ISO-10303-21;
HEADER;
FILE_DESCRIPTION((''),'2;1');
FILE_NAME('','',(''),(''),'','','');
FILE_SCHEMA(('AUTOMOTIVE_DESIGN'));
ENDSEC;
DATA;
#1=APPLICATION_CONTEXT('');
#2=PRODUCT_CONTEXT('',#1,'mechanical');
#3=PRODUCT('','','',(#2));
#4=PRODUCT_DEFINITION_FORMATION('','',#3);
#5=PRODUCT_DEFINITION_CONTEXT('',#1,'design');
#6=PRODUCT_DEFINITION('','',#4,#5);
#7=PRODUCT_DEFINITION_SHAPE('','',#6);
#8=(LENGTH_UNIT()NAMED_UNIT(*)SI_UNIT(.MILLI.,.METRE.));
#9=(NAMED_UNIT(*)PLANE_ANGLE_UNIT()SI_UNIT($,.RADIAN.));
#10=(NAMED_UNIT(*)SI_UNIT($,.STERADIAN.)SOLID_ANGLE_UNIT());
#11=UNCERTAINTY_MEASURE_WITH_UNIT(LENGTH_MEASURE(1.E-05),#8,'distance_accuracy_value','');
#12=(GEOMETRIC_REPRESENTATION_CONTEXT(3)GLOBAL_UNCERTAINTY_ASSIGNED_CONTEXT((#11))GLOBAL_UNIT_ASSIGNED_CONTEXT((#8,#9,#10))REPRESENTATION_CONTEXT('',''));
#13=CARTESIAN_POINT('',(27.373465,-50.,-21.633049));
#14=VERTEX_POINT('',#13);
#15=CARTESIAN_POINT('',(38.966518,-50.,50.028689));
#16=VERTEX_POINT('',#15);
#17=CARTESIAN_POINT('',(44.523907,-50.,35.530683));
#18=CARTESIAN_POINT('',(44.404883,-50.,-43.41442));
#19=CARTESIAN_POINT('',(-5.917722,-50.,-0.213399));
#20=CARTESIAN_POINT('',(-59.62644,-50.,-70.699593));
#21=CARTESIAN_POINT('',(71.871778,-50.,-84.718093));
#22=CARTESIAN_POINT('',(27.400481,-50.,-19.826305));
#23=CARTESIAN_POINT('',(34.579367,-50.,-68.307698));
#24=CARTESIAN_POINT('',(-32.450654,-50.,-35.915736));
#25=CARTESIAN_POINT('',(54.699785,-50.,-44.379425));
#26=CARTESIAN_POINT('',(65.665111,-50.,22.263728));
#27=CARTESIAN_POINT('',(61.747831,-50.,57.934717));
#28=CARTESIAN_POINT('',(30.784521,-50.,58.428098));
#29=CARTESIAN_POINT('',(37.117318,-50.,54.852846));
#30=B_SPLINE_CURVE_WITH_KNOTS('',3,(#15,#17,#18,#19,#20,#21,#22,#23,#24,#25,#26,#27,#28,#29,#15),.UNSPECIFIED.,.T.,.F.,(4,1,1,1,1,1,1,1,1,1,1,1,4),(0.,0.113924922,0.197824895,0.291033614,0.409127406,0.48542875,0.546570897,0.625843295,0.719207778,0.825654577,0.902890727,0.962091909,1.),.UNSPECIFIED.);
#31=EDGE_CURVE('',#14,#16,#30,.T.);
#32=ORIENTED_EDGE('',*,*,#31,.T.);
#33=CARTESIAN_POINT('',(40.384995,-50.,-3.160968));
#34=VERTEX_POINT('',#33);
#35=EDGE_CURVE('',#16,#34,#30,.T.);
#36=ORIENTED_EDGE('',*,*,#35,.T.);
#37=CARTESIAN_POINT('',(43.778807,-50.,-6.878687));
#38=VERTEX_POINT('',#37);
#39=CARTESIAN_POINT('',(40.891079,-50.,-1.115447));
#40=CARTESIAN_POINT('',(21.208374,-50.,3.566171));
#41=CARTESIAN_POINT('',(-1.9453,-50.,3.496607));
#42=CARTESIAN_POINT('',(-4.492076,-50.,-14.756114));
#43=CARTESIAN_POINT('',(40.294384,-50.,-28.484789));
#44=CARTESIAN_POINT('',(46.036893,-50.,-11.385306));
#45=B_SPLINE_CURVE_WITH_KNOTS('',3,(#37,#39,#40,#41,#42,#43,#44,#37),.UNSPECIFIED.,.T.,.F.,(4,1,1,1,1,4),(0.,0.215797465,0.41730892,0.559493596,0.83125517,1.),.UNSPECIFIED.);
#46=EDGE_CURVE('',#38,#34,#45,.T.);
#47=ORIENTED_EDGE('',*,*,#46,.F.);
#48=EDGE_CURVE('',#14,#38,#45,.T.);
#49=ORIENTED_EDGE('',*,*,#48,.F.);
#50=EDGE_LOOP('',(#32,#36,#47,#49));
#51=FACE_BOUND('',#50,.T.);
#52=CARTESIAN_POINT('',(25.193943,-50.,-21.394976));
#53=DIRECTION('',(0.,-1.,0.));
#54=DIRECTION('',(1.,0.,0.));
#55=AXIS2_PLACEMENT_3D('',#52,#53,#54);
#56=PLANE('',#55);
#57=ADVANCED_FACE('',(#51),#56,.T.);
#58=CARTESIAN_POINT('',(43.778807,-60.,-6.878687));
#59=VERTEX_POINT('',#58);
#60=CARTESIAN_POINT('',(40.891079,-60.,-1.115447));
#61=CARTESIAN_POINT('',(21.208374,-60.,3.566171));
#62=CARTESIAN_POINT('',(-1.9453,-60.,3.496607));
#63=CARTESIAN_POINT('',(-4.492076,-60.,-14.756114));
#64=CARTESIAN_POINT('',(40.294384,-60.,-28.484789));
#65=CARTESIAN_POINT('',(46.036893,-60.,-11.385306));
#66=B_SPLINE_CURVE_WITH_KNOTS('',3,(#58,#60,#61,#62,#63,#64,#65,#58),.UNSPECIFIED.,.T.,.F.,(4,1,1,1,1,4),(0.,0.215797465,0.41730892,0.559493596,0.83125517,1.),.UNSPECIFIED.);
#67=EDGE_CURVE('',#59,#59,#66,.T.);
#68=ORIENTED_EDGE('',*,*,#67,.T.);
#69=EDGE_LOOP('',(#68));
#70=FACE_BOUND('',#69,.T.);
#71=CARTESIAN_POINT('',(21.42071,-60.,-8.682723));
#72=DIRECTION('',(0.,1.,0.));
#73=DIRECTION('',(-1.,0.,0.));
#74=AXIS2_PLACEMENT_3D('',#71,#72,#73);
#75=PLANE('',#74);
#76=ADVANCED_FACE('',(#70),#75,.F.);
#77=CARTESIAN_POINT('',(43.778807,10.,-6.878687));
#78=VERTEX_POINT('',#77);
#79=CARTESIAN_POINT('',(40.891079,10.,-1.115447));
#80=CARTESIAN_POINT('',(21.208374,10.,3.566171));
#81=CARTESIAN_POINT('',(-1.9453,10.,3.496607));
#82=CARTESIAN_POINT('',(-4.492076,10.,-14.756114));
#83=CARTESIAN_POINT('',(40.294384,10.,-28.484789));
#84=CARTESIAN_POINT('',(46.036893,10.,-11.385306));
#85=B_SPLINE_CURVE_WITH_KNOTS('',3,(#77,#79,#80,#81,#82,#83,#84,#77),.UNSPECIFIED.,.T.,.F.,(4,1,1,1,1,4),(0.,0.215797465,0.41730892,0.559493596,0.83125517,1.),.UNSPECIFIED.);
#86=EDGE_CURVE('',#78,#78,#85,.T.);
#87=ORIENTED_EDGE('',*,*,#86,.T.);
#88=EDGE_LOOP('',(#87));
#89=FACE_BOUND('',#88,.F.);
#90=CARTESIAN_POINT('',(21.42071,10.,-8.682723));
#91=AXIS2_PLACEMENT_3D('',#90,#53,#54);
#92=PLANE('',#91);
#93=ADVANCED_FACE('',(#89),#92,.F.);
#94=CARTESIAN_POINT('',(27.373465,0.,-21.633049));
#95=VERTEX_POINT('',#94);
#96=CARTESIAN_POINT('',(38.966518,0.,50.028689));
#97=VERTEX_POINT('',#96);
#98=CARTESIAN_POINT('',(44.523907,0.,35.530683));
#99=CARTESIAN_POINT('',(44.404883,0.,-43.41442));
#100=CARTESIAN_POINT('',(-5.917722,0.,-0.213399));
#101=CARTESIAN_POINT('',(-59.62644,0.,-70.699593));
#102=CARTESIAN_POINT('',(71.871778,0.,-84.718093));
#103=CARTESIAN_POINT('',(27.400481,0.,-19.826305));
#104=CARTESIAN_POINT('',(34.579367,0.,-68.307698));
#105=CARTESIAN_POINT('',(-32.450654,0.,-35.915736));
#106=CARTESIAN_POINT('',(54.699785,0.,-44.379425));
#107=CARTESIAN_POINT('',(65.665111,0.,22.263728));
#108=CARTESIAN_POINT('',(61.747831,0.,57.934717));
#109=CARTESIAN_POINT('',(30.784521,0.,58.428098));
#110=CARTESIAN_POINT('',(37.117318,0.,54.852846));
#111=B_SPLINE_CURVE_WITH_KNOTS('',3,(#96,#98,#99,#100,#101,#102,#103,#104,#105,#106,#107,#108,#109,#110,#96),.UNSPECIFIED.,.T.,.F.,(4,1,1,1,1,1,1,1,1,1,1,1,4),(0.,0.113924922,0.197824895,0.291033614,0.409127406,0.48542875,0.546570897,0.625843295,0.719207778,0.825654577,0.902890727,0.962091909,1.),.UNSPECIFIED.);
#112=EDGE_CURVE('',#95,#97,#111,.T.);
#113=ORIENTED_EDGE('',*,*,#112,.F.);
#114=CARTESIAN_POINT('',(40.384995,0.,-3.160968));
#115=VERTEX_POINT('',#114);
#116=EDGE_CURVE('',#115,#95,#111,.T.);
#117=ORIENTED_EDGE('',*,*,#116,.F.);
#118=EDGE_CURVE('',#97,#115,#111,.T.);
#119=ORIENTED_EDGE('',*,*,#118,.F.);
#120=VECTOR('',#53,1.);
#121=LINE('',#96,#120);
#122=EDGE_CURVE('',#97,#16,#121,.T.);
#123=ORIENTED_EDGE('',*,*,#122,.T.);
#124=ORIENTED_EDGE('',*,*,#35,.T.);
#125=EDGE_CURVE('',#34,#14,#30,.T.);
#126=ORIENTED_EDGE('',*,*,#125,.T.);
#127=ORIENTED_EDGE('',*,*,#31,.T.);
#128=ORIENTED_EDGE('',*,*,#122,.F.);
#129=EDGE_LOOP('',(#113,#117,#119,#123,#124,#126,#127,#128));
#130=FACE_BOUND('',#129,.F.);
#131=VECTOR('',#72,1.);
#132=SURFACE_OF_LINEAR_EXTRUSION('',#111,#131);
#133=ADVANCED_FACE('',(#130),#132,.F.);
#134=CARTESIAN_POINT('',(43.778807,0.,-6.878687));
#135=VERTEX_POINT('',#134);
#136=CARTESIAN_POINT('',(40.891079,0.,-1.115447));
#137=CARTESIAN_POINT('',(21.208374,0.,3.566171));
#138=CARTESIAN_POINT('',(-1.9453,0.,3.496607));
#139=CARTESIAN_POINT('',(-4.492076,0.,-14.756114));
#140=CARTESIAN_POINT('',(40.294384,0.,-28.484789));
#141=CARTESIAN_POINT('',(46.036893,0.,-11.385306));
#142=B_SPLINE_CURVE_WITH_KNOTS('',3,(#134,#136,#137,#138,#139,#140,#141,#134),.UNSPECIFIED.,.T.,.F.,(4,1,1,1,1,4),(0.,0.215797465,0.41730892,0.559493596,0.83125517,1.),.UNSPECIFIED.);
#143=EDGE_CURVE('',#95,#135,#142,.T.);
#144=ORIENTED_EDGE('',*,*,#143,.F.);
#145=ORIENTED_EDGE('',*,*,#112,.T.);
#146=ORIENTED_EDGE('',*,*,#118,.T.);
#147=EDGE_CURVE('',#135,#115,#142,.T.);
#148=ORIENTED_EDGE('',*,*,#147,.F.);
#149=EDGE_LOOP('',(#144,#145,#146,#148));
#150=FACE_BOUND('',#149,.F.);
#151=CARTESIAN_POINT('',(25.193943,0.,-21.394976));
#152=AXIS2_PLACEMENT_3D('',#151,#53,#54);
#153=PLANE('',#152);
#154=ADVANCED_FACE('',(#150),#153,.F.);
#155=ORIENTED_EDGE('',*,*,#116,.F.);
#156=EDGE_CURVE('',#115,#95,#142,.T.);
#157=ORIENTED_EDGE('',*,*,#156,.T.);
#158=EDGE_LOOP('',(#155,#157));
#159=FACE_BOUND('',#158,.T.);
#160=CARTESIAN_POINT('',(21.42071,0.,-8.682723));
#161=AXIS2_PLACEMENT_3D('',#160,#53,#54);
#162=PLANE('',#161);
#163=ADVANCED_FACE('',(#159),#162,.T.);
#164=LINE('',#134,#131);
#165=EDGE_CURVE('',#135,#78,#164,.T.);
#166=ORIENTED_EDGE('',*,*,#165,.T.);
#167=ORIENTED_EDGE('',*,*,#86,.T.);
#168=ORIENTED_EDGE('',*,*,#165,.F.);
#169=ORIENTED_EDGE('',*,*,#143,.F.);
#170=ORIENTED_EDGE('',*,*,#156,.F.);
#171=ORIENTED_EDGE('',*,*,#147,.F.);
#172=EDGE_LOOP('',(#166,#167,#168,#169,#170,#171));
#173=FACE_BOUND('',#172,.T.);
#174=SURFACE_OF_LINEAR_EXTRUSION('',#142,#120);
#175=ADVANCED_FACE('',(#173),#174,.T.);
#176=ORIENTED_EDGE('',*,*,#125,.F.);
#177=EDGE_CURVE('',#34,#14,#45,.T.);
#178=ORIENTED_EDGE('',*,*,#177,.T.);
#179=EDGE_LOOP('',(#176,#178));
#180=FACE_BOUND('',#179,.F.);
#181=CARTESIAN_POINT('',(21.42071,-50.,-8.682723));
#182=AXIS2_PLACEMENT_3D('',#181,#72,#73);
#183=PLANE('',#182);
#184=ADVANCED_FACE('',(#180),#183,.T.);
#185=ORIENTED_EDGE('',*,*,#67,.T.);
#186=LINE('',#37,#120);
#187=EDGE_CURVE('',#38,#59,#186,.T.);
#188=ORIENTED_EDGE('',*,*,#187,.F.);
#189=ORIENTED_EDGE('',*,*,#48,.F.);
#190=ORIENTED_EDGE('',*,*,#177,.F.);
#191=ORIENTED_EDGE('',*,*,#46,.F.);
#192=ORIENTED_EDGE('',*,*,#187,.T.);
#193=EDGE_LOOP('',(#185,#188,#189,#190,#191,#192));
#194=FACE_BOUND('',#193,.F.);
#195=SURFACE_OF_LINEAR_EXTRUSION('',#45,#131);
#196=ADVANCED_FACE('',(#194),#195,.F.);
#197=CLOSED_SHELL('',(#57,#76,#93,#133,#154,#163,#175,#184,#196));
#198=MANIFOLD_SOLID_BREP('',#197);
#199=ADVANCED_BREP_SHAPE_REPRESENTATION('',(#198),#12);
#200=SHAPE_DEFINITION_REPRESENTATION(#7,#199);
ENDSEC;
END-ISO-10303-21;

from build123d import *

# Parameters (mm, degrees)
F1_DEPTH = 50
F3_DEPTH = 10


with BuildPart() as f1:
    # F0 (on Front) → F1 (new body)
    with BuildSketch(Plane.XZ):
        with BuildLine():
            add(Edge.make_bspline(
                [(38.9665178955, 50.0286892056), (44.5239066981, 35.530683237), (44.4048827403, -43.4144202609), (-5.9177216667, -0.2133991452), (-59.6264401447, -70.6995926476), (71.8717775343, -84.7180929745), (27.4004805667, -19.8263050686), (34.5793666318, -68.3076984274), (-32.4506544697, -35.9157355904), (54.6997845925, -44.379425275), (65.6651111636, 22.2637277348), (61.7478314112, 57.9347173369), (30.7845212281, 58.4280976062), (37.1173176109, 54.852846326), (38.9665178955, 50.0286892056)],
                knots=[0, 0, 0, 0, 0.1139249225, 0.1978248954, 0.2910336144, 0.4091274057, 0.4854287503, 0.5465708974, 0.625843295, 0.7192077778, 0.8256545774, 0.9028907274, 0.9620919092, 1, 1, 1, 1], degree=3))
        make_face()
    extrude(amount=F1_DEPTH)

    # F2 (on Front) → F3 (join)
    with BuildSketch(Plane.XZ):
        with BuildLine():
            add(Edge.make_bspline(
                [(43.7788069248, -6.8786866032), (40.8910787185, -1.1154466116), (21.2083744745, 3.5661713245), (-1.9453000559, 3.4966068936), (-4.492076441, -14.7561136013), (40.2943836925, -28.4847889178), (46.0368927919, -11.3853055935), (43.7788069248, -6.8786866032)],
                knots=[0, 0, 0, 0, 0.2157974648, 0.4173089203, 0.5594935964, 0.83125517, 1, 1, 1, 1], degree=3))
        make_face()
    extrude(amount=-F3_DEPTH)

    # F5: F1 across plane


with BuildPart() as f1_1:
    add(f1.part)
    add(f1.part.mirror(Plane.XZ.offset(25)))


solid = f1_1.part
